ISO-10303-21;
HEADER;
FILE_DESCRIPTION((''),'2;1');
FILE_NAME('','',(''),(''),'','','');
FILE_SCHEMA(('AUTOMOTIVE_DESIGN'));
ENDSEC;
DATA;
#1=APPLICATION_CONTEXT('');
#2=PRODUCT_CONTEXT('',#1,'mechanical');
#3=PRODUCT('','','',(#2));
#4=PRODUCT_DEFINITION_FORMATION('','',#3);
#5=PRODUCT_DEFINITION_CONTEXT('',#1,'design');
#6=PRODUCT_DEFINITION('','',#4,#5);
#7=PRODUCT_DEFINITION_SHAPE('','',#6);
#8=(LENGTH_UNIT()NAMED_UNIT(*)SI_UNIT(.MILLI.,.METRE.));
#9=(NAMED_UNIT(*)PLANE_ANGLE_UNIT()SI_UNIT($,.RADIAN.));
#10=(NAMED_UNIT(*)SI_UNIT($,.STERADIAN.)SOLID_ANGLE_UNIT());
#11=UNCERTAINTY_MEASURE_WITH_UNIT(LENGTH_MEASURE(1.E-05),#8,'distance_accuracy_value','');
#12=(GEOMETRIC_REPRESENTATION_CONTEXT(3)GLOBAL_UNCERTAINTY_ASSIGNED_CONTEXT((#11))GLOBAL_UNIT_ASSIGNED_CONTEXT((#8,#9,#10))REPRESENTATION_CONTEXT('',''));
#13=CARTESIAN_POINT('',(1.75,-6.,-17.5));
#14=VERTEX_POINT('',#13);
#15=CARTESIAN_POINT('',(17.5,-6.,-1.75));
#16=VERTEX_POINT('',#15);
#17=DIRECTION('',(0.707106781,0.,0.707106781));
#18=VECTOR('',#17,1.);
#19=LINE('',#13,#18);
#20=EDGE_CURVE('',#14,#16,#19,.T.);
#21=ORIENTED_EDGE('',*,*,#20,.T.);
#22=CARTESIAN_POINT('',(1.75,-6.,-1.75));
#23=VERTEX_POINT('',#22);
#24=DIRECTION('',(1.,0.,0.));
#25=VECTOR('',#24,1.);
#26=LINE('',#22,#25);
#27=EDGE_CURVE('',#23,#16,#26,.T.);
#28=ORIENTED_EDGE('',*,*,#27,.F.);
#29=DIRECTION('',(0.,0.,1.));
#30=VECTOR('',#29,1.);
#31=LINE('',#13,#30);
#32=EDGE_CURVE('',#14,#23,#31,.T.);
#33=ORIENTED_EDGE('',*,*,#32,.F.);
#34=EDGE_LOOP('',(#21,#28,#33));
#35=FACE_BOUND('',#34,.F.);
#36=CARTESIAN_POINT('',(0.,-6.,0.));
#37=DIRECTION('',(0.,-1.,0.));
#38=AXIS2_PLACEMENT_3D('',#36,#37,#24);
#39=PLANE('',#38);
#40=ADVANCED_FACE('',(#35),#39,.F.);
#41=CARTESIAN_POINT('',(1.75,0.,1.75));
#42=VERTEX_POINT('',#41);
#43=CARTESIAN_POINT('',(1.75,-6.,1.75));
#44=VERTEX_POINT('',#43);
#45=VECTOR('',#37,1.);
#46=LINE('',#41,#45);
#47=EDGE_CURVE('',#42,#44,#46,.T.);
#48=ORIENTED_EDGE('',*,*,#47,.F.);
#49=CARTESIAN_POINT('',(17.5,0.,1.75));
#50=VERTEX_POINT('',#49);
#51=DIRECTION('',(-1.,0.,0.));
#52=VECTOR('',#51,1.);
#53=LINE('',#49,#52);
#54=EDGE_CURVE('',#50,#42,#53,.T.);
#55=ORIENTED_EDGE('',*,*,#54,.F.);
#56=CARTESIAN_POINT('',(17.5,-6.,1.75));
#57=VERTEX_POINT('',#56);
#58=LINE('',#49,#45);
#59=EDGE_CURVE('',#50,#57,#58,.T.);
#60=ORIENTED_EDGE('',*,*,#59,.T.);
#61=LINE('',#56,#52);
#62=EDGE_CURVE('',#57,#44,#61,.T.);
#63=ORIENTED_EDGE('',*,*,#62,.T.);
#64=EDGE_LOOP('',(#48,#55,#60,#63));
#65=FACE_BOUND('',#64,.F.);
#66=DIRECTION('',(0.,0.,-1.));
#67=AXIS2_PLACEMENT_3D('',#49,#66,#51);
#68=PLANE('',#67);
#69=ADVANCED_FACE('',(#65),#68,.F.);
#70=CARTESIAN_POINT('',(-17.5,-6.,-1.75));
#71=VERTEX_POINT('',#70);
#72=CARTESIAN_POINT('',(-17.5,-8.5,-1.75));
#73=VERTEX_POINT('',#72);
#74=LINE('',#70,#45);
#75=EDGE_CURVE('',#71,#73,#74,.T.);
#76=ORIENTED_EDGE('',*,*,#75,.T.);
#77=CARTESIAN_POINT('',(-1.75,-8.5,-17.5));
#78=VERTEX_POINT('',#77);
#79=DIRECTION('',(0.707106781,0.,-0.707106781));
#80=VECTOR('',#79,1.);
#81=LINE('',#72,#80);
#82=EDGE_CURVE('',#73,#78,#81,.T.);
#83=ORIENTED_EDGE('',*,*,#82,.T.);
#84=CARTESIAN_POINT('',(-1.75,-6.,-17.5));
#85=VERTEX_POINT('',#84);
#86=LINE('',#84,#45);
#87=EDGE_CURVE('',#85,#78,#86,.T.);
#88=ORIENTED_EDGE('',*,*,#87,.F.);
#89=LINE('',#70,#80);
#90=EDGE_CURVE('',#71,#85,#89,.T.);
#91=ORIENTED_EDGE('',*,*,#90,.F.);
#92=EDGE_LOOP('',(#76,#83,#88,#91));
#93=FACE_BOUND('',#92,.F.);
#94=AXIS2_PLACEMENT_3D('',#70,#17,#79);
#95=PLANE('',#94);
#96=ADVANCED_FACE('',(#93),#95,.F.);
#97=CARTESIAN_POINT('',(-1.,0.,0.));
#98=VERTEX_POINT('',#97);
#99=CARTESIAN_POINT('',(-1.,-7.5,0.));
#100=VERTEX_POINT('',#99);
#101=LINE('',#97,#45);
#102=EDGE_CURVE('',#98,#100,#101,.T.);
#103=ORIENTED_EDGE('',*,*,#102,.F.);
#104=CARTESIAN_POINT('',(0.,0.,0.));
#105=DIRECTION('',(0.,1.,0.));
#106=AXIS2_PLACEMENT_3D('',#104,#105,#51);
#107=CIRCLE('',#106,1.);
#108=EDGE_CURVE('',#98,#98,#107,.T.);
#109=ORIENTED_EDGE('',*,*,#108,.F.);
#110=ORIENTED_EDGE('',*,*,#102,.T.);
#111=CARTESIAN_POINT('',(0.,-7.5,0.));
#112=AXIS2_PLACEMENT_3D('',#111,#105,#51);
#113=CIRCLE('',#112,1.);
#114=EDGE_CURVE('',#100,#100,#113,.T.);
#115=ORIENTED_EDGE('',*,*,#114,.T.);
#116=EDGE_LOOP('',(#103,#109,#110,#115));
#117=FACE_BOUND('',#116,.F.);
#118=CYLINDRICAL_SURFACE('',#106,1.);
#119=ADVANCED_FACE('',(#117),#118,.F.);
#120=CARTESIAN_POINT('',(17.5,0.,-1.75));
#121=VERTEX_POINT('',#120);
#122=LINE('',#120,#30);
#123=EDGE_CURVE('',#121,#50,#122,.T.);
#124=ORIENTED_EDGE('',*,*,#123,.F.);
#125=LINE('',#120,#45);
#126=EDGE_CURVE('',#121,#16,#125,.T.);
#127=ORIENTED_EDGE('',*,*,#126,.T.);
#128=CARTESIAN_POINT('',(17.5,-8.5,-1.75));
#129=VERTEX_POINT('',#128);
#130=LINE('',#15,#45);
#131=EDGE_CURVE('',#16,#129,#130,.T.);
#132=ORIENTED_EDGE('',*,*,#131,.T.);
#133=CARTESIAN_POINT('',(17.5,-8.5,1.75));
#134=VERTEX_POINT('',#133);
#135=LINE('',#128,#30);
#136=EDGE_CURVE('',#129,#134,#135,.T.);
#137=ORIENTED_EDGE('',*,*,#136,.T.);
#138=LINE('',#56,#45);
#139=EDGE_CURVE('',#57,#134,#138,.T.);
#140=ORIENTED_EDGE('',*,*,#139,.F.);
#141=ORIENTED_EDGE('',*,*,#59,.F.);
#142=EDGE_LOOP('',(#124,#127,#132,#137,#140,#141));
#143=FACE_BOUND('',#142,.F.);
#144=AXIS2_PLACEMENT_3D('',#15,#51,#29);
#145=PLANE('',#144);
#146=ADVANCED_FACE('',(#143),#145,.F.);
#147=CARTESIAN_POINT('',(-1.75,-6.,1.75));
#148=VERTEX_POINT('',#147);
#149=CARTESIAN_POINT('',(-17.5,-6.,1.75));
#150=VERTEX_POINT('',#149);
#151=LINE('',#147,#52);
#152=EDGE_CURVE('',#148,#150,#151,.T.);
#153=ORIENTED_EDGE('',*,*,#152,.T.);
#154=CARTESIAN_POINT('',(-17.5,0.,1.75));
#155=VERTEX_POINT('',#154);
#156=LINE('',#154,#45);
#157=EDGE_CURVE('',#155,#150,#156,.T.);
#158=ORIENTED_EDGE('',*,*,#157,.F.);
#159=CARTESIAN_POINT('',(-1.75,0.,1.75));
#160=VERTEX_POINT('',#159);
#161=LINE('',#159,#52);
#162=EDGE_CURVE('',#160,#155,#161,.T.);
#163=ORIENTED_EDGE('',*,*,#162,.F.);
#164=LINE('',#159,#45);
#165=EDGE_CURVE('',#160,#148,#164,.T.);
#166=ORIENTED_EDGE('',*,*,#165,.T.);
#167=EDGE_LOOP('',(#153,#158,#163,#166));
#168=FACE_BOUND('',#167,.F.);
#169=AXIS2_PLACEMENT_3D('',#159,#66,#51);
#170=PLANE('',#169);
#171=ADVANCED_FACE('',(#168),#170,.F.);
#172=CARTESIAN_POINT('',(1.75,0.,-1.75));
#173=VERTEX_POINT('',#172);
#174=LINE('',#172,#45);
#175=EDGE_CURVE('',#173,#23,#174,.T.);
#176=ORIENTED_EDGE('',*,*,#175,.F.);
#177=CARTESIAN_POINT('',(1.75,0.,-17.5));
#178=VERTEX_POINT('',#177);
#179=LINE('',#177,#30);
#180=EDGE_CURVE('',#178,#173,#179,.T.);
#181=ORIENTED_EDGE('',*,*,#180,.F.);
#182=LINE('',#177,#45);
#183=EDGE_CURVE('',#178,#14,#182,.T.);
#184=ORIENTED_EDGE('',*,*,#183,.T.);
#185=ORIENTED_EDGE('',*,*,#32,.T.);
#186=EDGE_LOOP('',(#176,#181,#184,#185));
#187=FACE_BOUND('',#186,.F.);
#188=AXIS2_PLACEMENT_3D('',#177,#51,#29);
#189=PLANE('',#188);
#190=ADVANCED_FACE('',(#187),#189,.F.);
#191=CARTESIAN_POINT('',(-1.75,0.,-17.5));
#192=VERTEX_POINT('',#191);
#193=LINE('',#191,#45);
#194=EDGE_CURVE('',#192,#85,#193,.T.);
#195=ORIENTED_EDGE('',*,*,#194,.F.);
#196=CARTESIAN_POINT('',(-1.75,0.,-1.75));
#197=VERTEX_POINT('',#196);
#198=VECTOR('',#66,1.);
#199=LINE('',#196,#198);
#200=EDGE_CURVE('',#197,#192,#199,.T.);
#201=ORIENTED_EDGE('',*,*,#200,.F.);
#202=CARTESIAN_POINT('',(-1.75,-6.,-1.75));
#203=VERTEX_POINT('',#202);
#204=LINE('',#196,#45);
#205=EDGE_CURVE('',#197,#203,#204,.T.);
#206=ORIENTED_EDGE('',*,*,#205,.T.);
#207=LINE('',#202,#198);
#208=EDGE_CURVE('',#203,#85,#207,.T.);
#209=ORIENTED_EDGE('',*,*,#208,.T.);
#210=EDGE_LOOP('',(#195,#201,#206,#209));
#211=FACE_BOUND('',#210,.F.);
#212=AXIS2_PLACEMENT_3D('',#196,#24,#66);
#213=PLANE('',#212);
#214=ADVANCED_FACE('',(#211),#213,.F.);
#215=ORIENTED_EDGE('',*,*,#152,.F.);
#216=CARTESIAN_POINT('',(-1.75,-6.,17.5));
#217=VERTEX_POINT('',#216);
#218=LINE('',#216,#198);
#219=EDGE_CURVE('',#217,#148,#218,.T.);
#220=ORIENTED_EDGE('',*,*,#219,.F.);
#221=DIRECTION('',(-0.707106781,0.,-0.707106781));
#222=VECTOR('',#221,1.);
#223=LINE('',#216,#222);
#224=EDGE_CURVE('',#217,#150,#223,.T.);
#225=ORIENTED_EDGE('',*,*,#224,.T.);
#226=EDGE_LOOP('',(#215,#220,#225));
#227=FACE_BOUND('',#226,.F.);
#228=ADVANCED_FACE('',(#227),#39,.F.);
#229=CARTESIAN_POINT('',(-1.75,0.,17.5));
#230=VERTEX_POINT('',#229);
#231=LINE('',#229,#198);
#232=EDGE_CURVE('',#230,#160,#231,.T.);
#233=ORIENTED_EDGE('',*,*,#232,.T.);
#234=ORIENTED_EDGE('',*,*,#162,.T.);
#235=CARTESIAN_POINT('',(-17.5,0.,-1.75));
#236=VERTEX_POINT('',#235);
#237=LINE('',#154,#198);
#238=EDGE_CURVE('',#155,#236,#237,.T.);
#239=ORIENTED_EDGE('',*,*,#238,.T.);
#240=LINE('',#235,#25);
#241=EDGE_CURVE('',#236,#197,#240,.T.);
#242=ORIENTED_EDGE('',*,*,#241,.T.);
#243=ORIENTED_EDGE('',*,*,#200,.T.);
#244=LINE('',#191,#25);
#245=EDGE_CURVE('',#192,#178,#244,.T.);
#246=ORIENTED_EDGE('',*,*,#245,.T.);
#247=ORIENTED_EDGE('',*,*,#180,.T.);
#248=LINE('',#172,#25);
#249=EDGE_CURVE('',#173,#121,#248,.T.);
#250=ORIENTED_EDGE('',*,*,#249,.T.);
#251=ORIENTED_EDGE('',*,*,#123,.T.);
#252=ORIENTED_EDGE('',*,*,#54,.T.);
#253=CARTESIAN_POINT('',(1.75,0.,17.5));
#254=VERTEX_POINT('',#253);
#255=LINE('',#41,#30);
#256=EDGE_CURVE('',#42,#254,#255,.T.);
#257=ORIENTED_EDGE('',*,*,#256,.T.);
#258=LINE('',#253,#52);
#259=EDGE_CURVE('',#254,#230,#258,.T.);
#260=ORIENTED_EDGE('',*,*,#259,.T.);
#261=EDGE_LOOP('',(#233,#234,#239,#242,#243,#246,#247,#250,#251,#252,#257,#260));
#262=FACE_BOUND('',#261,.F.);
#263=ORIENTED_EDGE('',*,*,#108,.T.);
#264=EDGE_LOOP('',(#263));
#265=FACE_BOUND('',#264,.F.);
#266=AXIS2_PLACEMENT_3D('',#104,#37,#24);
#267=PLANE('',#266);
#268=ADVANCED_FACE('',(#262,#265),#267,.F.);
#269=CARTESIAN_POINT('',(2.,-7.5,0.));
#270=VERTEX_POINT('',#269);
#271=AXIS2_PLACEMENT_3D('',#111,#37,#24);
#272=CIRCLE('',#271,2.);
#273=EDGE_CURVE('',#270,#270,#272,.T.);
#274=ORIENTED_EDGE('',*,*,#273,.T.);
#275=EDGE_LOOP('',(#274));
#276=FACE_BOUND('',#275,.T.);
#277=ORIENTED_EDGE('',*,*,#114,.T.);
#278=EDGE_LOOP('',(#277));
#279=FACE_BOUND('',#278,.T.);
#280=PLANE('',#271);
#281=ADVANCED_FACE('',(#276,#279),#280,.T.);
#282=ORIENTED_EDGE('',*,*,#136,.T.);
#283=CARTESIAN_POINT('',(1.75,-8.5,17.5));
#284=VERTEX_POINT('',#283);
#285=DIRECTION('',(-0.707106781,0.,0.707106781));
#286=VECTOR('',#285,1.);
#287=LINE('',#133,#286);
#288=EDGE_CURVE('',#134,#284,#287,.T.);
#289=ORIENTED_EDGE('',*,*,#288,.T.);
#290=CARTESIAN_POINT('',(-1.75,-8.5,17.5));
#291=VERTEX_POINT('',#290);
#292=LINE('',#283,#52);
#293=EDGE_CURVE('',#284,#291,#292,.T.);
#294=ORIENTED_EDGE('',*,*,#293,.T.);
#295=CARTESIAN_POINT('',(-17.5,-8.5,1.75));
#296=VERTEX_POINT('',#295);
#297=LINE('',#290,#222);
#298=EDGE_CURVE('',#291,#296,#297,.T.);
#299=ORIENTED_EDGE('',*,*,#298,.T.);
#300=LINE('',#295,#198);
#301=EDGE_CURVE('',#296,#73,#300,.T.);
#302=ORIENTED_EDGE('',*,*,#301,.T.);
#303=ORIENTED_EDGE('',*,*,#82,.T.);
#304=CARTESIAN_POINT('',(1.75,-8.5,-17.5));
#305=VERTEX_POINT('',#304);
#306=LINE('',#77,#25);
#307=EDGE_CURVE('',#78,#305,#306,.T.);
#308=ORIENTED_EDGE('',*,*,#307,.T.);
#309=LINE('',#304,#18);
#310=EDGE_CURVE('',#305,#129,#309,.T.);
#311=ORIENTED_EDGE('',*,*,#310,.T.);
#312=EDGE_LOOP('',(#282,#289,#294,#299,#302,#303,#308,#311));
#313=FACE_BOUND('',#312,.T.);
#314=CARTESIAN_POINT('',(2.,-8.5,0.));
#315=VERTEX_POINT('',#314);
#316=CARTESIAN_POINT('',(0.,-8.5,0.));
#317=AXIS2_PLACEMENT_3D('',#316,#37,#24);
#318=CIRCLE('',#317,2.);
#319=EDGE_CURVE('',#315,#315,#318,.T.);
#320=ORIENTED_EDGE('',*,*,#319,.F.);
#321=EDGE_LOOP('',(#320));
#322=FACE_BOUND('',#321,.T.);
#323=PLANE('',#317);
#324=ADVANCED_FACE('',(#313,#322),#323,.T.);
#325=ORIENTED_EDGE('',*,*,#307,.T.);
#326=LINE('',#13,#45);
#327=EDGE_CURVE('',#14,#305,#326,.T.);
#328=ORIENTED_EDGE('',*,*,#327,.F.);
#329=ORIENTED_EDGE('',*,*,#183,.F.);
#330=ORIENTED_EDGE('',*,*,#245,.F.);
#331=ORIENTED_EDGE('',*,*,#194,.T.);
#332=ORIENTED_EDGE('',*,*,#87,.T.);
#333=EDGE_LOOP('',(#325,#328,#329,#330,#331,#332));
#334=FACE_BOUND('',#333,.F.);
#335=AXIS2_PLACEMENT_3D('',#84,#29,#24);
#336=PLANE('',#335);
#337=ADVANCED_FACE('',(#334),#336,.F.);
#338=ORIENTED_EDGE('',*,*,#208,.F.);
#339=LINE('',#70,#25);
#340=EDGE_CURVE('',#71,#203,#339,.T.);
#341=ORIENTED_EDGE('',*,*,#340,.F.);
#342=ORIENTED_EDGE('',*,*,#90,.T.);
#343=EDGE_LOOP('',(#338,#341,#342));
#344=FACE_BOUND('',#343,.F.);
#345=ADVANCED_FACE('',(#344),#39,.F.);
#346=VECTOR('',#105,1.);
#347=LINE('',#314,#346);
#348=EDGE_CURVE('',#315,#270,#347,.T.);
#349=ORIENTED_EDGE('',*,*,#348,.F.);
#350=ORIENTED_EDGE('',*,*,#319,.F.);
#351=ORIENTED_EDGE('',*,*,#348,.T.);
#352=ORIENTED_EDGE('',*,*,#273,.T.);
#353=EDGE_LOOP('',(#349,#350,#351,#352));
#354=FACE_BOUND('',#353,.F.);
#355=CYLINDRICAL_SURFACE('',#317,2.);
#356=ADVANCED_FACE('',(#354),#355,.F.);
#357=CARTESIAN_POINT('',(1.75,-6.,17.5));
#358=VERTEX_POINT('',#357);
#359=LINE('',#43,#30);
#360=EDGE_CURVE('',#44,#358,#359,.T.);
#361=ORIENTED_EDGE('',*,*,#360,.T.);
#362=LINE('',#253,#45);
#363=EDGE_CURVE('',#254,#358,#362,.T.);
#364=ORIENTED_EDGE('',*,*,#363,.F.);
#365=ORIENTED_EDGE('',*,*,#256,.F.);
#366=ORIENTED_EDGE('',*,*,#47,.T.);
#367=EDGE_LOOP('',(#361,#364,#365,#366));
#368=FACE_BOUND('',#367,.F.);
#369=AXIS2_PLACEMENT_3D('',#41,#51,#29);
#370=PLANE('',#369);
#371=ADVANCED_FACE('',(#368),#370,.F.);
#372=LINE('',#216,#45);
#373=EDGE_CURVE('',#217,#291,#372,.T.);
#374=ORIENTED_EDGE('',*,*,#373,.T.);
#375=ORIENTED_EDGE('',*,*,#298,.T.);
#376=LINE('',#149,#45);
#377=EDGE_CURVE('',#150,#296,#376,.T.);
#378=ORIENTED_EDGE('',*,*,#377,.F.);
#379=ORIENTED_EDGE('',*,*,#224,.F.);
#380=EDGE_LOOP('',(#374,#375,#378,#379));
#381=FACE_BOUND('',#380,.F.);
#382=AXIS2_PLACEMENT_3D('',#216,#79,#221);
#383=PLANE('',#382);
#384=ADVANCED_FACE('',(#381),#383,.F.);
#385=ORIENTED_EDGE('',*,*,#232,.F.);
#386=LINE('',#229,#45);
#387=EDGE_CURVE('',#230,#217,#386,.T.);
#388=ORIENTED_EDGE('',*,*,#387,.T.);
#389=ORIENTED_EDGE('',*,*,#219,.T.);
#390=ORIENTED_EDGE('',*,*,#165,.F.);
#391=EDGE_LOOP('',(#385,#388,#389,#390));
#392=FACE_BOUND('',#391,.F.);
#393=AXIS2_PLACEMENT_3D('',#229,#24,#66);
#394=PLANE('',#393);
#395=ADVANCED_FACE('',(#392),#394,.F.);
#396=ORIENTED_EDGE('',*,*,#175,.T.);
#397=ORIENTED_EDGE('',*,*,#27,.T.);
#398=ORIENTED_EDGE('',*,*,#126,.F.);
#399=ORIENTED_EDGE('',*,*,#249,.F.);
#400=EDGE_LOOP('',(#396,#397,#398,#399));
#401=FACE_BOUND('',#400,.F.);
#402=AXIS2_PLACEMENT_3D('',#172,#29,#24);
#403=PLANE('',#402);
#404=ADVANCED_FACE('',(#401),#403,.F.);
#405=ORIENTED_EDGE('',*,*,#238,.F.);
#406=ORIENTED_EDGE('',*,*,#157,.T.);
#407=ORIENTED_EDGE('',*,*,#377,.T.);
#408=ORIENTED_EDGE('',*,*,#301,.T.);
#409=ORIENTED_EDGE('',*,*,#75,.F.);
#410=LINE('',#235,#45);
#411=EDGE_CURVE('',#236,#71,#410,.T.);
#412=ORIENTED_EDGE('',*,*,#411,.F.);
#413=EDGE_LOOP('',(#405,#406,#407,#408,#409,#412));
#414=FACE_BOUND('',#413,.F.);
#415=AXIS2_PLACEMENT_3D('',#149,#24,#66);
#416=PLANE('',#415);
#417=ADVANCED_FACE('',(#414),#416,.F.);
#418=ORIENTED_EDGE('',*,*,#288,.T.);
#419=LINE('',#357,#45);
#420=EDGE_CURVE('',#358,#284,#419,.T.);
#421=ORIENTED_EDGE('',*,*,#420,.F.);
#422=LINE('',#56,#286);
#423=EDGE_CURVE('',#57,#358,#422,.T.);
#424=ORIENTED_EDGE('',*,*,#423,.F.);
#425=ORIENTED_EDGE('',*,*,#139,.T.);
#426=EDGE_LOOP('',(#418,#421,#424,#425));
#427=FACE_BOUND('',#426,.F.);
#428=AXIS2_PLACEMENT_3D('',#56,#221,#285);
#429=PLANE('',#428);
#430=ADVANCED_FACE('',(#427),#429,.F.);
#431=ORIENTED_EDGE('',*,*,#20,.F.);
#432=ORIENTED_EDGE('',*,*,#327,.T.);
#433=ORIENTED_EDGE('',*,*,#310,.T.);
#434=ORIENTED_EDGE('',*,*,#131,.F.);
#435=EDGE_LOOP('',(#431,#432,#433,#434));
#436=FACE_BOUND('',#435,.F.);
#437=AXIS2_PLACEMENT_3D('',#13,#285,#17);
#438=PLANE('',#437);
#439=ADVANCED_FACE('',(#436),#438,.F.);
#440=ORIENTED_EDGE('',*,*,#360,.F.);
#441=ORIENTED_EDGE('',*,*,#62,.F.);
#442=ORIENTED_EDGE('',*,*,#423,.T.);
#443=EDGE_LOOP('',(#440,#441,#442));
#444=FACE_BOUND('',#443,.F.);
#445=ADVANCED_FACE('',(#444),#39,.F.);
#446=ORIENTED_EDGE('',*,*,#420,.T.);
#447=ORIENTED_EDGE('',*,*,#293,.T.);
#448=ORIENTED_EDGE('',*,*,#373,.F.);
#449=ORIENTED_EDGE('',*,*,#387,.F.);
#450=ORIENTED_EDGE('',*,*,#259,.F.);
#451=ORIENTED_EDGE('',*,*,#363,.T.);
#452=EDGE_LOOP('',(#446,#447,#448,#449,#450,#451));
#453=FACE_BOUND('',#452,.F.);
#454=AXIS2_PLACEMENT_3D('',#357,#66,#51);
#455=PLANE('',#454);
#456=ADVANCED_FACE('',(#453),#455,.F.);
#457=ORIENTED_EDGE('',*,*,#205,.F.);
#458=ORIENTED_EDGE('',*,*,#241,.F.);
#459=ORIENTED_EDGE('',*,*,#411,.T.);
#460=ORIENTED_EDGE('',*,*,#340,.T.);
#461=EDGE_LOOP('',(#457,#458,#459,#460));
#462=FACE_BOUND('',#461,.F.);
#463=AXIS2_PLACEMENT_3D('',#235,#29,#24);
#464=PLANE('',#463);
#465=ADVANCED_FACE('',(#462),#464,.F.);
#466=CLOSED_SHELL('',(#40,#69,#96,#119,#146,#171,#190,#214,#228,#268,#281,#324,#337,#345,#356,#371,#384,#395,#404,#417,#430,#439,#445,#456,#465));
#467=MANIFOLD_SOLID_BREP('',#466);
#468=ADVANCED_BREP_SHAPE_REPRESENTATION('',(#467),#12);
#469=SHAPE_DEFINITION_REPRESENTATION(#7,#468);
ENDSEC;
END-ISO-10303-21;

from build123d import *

# Parameters (mm, degrees)
F1_DEPTH = 6
F3_DEPTH = 2.5
F4_R     = 1
F5_DEPTH = 8.501
F6_R     = 2
F7_DEPTH = 1


with BuildPart() as f1:
    # F0 (on Front) → F1 (new body)
    with BuildSketch(Plane.XZ):
        Polygon((1.75, 1.75), (1.75, 17.5), (-1.75, 17.5), (-1.75, 1.75), (-17.5, 1.75), (-17.5, -1.75), (-1.75, -1.75), (-1.75, -17.5), (1.75, -17.5), (1.75, -1.75), (17.5, -1.75), (17.5, 1.75), align=None)
    extrude(amount=F1_DEPTH)

    # F2 (on face) → F3 (join)
    with BuildSketch(Plane.XZ.offset(6)):
        Polygon((-1.75, 17.5), (-17.5, 1.75), (-17.5, 0), (-17.5, -1.75), (-1.75, -17.5), (0, -17.5), (1.75, -17.5), (17.5, -1.75), (17.5, 0), (17.5, 1.75), (1.75, 17.5), (0, 17.5), align=None)
    extrude(amount=F3_DEPTH)

    # F4 (on face) → F5 (cut, through all)
    with BuildSketch(Plane(origin=(0, 0, 0), x_dir=(-1, 0, 0), z_dir=(0, 1, 0))):
        Circle(F4_R)
    extrude(amount=-F5_DEPTH, mode=Mode.SUBTRACT)

    # F6 (on face) → F7 (cut)
    with BuildSketch(Plane.XZ.offset(8.5)):
        Circle(F6_R)
    extrude(amount=-F7_DEPTH, mode=Mode.SUBTRACT)


solid = f1.part
